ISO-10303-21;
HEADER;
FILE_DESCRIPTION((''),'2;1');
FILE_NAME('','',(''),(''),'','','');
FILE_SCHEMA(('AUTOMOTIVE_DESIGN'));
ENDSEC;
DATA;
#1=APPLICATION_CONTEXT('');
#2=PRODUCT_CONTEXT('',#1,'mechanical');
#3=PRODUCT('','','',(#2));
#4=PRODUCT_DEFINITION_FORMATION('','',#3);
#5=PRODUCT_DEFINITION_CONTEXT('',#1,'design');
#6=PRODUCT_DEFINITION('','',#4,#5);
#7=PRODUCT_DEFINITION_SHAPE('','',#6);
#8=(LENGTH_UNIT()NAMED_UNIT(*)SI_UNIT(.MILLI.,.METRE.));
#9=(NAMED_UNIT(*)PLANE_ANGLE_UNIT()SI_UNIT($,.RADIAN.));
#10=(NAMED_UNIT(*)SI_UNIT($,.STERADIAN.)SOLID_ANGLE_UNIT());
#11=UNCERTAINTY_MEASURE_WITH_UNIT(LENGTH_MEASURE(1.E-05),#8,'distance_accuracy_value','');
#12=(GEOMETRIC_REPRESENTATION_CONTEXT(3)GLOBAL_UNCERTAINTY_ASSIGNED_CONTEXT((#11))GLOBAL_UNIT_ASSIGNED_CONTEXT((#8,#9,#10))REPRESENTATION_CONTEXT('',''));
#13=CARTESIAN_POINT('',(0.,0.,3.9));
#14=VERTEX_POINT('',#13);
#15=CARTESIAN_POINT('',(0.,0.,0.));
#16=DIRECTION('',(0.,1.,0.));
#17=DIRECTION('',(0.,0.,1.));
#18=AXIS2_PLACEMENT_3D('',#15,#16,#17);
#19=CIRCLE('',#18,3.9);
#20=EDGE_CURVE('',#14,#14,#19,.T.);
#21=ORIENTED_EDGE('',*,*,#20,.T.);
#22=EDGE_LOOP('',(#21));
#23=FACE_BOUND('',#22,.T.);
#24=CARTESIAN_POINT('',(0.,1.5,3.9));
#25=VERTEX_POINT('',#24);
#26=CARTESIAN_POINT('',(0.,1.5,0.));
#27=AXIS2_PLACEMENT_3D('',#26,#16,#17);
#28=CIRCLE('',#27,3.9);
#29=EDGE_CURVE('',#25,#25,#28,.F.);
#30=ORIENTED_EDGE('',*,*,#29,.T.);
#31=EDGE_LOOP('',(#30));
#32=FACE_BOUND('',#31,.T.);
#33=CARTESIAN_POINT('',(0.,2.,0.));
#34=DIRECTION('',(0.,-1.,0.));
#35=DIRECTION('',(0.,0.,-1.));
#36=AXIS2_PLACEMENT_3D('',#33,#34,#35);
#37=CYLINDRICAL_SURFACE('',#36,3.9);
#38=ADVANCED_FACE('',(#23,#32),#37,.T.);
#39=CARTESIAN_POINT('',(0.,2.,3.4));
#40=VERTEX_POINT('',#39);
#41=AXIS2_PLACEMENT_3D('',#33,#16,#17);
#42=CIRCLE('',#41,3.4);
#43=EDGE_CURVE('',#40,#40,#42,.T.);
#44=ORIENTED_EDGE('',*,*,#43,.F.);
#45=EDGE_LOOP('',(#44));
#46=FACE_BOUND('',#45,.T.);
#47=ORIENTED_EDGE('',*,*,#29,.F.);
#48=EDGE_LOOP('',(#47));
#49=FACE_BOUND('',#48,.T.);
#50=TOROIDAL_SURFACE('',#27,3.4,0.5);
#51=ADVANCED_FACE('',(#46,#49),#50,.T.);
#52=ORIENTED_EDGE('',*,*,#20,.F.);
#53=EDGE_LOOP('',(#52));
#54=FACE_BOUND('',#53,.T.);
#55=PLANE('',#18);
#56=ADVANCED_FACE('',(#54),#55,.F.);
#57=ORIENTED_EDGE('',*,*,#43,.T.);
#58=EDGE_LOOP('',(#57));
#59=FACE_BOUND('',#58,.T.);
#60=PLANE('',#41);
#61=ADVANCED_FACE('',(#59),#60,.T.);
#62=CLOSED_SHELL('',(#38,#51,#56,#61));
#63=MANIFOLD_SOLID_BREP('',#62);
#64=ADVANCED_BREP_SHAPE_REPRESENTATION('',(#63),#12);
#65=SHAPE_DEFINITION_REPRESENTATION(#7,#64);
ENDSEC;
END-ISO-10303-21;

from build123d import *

# Parameters (mm, degrees)
SKETCH1_R           = 3.9
BOSS_EXTRUDE1_DEPTH = 2
FILLET1_R           = 0.5


with BuildPart() as part:
    # Sketch1 → Boss-Extrude1 (new body)
    with BuildSketch(Plane(origin=(0, 0, 0), x_dir=(1, 0, 0), z_dir=(0, 1, 0))):
        with Locations(Location((0, 0, 0), (0, 0, 270))):
            Circle(SKETCH1_R)
    extrude(amount=BOSS_EXTRUDE1_DEPTH)

    # Fillet1
    fillet1_edges = [part.edges().sort_by_distance(p)[0] for p in [
        (0, 2, -3.9),
    ]]
    fillet(fillet1_edges, radius=FILLET1_R)


solid = part.part
